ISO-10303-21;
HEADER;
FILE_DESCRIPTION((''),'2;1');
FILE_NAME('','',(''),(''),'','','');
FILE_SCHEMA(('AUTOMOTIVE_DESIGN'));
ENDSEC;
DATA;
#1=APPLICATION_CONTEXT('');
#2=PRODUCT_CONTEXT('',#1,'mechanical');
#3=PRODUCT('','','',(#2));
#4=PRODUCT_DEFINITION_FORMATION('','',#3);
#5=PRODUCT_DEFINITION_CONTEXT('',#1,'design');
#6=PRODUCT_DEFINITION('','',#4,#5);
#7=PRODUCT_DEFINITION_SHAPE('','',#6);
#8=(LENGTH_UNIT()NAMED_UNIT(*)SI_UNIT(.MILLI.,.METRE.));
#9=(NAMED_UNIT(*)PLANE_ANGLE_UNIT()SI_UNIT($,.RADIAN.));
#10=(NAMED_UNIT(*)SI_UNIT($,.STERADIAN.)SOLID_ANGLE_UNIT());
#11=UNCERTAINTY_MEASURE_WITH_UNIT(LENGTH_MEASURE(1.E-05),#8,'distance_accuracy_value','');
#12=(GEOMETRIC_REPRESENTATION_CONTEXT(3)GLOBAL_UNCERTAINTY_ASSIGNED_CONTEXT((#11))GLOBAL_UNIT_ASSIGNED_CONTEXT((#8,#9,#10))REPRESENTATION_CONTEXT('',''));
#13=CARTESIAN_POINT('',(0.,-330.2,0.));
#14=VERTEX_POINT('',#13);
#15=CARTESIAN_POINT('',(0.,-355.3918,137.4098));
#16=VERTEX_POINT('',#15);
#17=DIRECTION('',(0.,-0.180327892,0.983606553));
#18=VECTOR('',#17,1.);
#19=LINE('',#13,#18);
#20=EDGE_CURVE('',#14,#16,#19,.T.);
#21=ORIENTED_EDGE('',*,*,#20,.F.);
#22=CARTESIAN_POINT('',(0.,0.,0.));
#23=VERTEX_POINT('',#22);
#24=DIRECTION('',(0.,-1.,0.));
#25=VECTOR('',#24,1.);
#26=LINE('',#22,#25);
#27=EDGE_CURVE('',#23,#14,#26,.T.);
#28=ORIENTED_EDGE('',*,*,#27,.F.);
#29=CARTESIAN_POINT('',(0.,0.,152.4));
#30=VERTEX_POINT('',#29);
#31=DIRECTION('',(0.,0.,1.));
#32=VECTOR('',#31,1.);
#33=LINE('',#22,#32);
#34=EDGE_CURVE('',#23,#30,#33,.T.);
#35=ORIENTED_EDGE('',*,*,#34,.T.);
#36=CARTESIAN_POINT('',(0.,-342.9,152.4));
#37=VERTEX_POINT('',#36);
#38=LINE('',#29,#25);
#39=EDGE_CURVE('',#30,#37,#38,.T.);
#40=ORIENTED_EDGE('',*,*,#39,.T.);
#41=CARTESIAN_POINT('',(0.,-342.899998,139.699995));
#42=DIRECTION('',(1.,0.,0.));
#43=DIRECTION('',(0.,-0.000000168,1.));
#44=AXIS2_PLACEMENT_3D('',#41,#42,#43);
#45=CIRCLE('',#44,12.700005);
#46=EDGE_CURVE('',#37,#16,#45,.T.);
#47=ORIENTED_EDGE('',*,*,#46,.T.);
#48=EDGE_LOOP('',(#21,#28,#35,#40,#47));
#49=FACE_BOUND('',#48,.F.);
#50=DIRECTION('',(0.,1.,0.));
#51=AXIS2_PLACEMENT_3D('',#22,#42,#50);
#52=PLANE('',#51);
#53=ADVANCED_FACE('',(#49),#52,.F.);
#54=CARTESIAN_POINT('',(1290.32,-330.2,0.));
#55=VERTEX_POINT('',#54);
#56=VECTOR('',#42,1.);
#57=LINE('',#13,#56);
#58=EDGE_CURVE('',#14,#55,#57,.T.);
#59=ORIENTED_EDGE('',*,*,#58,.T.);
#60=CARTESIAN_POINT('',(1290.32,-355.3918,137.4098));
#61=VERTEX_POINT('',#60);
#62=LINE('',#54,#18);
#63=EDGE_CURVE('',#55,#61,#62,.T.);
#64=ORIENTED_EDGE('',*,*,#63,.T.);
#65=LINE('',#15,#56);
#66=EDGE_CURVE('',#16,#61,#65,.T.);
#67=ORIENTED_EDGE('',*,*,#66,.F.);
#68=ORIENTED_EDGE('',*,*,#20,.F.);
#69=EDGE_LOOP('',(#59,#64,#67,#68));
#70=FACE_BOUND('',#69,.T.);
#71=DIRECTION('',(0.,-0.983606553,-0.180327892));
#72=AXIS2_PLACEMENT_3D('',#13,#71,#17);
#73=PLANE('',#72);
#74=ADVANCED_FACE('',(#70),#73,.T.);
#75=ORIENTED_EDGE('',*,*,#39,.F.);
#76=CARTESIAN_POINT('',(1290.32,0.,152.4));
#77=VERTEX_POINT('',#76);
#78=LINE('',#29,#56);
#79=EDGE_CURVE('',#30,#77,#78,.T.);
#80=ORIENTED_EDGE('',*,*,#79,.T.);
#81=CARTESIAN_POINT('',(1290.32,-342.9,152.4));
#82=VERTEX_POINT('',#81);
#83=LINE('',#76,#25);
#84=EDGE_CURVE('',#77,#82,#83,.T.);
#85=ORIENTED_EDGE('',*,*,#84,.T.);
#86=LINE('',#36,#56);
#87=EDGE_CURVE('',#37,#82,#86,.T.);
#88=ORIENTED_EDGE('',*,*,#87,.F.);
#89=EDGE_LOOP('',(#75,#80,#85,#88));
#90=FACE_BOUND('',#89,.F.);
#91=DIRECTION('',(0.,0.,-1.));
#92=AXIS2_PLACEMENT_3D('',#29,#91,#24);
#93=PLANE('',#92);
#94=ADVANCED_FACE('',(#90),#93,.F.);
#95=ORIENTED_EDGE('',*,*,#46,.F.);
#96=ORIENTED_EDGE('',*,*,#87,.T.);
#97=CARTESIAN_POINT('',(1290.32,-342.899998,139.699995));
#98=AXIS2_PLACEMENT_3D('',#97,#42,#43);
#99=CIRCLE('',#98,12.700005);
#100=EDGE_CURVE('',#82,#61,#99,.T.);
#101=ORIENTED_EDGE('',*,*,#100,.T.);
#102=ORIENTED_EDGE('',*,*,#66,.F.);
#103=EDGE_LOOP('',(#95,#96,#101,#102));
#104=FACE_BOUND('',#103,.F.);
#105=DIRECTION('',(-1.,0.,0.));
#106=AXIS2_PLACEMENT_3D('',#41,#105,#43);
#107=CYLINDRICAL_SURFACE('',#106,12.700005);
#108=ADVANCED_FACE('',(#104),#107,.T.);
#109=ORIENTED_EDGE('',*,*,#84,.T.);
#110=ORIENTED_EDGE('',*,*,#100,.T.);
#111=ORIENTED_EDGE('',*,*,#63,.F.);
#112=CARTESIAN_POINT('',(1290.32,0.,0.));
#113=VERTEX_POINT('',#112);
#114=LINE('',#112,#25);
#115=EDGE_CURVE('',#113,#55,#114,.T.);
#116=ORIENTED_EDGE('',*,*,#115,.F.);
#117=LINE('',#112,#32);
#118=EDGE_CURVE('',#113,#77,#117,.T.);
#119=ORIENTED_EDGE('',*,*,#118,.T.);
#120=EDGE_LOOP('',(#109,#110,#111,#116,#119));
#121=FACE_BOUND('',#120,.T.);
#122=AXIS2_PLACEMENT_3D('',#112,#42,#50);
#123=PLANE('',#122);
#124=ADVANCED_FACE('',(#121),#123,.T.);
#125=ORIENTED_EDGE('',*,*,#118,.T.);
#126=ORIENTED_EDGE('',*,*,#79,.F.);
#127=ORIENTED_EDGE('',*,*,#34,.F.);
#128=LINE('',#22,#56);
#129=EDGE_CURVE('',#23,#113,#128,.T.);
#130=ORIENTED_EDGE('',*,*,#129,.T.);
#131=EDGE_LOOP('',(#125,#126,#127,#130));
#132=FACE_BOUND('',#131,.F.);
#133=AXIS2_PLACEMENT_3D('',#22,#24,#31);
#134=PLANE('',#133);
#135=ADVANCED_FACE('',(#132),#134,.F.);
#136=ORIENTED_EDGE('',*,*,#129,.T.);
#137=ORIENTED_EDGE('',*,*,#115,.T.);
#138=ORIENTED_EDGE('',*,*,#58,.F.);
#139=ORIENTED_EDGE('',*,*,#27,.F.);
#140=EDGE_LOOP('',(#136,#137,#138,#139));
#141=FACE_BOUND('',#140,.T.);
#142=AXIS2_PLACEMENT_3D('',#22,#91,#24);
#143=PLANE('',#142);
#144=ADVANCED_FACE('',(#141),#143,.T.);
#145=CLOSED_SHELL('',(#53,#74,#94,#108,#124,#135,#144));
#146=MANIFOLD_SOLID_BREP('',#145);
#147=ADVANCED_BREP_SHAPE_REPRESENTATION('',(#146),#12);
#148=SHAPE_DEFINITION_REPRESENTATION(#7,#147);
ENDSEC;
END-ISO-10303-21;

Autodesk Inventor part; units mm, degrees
ref_plane "YZ Plane" through (0, 0, 0) normal (1, 0, 0) x (0, 1, 0)
ref_plane "XZ Plane" through (0, 0, 0) normal (0, 1, 0) x (-1, 0, 0)
ref_plane "XY Plane" through (0, 0, 0) normal (0, 0, 1) x (1, 0, 0)
sketch "Sketch2" plane through (0, 0, 0) normal (1, 0, 0) x (0, 1, 0)
  line L0 (0, 0) -> (0, 152.4)
  line L1 (0, 0) -> (-330.2, 0)
  line L2 (0, 152.4) -> (-342.9, 152.4)
  line L3 (-342.9, 152.4) -> (-342.9, 139.7) construction
  arc A0 (-342.9, 152.4) -> (-355.3918, 137.4098) centre (-342.9, 139.7) ccw
  line L4 (-330.2, 0) -> (-355.3918, 137.4098)
  point P0 (355.6, 152.4)
  dimension "d0" = 152.4
  dimension "d14" = 342.9
  dimension "d15" = 330.2
  dimension "d16" = 12.7
  dimension "d17" = 139.7
extrude "Extrusion1" add sketch "Sketch2" along normal blind 1290.32
properties part number "A" material "Granite, Cut, Polished"
